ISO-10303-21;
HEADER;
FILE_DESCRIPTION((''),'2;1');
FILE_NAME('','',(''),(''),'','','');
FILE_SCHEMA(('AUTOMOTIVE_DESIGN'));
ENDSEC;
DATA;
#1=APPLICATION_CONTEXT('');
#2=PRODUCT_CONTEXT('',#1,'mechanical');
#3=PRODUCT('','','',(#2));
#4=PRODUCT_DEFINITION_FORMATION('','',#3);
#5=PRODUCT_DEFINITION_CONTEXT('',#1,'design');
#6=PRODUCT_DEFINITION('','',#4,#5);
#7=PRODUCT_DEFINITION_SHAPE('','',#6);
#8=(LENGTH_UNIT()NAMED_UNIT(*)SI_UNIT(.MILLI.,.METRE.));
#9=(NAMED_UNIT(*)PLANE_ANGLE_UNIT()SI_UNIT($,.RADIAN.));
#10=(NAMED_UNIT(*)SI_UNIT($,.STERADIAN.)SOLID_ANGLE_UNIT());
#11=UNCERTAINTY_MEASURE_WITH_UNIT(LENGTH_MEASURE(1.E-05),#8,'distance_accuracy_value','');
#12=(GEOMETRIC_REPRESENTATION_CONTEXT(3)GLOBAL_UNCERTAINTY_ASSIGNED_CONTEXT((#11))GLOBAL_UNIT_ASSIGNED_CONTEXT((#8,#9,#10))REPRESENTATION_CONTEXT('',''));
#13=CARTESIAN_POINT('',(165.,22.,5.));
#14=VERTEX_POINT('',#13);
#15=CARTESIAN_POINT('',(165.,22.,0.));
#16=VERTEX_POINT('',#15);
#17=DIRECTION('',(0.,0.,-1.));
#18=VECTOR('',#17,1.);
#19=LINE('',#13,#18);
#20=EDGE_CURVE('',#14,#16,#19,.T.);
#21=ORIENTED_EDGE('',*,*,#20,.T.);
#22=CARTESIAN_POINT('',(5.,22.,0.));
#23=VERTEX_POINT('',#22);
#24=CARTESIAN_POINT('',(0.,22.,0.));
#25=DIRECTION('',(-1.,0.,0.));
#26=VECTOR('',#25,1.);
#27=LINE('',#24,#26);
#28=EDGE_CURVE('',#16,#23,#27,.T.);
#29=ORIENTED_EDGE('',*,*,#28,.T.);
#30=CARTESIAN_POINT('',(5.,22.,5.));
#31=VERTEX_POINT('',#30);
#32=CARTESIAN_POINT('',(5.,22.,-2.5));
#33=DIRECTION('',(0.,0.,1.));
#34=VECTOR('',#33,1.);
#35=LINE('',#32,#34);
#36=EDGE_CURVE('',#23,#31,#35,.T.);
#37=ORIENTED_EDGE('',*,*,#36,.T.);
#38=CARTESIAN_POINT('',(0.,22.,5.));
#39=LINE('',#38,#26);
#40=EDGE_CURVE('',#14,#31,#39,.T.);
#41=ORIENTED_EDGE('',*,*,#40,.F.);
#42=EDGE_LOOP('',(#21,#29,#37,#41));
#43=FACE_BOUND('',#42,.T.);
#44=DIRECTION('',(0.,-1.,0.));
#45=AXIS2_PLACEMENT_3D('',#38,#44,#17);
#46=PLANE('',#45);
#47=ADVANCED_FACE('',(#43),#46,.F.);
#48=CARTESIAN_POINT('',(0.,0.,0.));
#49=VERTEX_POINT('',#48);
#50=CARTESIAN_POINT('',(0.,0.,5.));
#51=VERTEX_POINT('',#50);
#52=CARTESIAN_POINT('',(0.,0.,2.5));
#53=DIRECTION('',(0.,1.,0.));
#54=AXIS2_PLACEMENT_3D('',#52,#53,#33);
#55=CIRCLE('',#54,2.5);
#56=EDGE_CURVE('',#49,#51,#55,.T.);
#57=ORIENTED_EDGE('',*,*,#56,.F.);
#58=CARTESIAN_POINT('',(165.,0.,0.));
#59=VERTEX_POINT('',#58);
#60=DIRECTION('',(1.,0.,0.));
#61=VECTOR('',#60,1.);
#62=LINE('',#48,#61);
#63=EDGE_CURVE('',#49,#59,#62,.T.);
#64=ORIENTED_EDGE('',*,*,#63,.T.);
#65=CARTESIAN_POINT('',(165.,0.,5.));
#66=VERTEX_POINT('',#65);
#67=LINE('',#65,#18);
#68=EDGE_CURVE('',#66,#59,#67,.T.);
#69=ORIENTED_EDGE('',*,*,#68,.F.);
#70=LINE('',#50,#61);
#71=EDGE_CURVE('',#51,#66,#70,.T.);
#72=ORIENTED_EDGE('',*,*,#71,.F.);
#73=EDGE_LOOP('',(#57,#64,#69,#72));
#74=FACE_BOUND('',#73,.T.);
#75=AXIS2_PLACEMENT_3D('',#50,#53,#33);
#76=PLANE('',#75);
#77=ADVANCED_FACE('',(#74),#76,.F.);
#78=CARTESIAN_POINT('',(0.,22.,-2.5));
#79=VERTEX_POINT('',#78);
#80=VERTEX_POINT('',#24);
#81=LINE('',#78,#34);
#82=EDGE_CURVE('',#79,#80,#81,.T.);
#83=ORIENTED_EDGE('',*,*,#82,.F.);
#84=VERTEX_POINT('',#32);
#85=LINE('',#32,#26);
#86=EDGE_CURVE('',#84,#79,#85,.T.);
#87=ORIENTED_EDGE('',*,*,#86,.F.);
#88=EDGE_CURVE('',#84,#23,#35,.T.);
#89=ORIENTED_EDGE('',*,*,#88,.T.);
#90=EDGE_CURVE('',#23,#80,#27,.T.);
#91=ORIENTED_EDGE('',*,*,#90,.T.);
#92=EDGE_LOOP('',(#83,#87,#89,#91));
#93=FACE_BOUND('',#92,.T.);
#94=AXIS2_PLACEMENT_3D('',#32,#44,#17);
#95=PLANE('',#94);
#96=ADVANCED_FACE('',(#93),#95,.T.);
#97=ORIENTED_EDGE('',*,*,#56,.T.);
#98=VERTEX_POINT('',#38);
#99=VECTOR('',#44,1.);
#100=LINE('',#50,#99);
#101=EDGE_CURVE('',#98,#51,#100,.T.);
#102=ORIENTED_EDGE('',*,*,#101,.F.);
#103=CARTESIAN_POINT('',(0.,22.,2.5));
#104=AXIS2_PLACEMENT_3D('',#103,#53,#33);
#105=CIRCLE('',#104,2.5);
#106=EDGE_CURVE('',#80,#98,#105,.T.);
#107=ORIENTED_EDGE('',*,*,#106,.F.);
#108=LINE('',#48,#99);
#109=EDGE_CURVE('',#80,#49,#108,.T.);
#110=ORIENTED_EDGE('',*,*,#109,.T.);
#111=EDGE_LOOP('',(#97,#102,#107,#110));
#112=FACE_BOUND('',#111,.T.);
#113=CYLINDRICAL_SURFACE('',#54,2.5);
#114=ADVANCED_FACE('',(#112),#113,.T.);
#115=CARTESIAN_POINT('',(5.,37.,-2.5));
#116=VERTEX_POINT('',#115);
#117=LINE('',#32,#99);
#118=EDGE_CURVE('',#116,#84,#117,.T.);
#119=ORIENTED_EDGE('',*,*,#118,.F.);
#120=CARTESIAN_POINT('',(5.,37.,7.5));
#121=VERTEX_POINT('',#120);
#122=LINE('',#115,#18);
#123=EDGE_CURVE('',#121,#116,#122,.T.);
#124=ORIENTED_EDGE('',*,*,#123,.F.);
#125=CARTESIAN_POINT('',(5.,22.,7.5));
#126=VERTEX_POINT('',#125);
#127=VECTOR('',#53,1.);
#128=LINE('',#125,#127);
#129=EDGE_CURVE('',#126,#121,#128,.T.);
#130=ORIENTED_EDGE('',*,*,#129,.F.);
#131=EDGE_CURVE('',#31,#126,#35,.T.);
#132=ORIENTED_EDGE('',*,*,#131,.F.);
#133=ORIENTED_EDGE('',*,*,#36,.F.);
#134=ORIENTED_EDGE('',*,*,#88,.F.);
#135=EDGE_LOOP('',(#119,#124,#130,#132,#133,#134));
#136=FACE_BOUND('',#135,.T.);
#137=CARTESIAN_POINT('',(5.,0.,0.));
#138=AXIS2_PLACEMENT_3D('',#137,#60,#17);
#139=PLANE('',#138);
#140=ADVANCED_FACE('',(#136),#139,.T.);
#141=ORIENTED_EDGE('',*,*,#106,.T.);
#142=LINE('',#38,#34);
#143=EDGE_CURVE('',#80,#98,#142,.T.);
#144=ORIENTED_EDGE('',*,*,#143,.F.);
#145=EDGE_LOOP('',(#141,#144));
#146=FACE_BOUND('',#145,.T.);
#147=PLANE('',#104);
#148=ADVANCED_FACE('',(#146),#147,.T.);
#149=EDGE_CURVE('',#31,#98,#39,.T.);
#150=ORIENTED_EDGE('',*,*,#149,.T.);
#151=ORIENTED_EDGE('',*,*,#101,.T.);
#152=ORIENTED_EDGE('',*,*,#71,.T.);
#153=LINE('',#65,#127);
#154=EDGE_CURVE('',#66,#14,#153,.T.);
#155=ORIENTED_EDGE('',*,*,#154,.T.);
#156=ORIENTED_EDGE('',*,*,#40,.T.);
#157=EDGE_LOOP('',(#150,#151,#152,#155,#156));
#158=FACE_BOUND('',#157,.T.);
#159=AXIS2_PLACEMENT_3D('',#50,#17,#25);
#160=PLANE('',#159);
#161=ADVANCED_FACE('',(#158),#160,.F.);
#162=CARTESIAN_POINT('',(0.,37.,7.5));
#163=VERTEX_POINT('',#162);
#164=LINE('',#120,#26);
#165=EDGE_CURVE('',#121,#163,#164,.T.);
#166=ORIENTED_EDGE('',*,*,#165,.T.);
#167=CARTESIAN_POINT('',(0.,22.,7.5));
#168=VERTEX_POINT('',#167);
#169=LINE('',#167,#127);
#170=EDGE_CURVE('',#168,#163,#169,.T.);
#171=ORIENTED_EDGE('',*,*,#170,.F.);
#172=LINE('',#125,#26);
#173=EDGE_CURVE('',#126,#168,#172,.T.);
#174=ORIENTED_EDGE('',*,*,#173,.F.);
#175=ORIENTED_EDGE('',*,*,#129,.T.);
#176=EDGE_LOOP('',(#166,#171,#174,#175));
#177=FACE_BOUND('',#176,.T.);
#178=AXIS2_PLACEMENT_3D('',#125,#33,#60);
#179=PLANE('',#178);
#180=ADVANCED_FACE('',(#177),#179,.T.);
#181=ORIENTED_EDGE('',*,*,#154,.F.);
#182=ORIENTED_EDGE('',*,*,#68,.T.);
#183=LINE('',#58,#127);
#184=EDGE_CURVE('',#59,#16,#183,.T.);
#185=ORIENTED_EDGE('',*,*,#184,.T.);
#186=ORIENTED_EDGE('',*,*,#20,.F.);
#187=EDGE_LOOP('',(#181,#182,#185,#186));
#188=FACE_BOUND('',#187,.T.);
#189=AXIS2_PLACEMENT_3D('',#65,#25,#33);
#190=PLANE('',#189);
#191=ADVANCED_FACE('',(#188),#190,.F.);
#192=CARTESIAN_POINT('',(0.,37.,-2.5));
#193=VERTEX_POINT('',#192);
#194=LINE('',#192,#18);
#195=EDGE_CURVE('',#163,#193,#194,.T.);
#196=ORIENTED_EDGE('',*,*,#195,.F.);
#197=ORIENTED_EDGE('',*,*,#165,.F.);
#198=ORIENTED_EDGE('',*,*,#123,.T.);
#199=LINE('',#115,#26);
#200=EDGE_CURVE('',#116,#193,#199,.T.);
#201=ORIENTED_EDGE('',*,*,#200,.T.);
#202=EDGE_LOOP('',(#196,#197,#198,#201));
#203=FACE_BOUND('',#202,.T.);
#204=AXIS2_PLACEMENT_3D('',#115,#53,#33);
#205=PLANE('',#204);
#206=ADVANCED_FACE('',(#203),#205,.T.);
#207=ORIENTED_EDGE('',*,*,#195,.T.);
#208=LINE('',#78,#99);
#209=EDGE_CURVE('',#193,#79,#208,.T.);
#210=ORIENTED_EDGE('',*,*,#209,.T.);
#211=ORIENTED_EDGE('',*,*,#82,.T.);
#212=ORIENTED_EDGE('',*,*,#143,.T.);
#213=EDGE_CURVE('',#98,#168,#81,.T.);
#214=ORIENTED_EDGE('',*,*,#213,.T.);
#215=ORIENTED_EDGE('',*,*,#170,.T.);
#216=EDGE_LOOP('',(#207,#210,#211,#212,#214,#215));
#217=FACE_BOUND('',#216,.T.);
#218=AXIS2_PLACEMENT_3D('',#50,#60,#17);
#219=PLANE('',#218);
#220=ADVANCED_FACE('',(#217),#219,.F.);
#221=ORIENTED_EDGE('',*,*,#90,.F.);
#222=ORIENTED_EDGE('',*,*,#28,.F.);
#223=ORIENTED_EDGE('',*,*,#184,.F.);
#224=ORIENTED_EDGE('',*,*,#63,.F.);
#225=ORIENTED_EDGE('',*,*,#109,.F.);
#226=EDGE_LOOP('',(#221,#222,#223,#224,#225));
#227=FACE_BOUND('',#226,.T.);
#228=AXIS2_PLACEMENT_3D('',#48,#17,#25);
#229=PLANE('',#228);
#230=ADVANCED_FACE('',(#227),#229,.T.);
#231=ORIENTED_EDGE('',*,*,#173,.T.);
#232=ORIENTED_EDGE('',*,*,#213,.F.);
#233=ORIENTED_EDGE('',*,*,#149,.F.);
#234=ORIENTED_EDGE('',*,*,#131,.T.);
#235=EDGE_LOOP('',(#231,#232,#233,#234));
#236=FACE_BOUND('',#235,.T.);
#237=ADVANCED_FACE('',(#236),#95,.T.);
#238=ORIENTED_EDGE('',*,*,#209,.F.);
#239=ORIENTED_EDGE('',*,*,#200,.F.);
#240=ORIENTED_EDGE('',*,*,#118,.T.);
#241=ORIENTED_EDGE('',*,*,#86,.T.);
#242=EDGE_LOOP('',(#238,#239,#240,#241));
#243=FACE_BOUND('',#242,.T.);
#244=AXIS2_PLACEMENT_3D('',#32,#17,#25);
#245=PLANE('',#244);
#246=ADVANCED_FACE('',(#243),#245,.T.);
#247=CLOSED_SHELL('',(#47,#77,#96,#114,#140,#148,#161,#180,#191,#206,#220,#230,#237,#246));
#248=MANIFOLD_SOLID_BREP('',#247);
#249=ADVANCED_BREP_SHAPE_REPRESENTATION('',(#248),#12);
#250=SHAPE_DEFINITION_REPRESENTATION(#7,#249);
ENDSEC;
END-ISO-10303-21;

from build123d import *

# Parameters (mm, degrees)
SKETCH1_W           = 165
SKETCH1_H           = 22
BOSS_EXTRUDE1_DEPTH = 5
SKETCH2_W           = 10
SKETCH2_H           = 15
BOSS_EXTRUDE2_DEPTH = 5
SKETCH3_R           = 2.5
BOSS_EXTRUDE3_DEPTH = 22


with BuildPart() as part:
    # Sketch1 → Boss-Extrude1 (new body)
    with BuildSketch(Plane.XY):
        with Locations((82.5, 11)):
            Rectangle(SKETCH1_W, SKETCH1_H)
    extrude(amount=BOSS_EXTRUDE1_DEPTH)

    # Sketch2 → Boss-Extrude2 (add)
    with BuildSketch(Plane.ZY):
        with Locations((2.5, 29.5)):
            Rectangle(SKETCH2_W, SKETCH2_H)
    extrude(amount=-BOSS_EXTRUDE2_DEPTH)

    # Sketch3 → Boss-Extrude3 (add)
    with BuildSketch(Plane(origin=(0, 22, 0), x_dir=(1, 0, 0), z_dir=(0, 1, 0))):
        with Locations((0, -2.5)):
            Circle(SKETCH3_R)
    extrude(amount=-BOSS_EXTRUDE3_DEPTH)


solid = part.part
